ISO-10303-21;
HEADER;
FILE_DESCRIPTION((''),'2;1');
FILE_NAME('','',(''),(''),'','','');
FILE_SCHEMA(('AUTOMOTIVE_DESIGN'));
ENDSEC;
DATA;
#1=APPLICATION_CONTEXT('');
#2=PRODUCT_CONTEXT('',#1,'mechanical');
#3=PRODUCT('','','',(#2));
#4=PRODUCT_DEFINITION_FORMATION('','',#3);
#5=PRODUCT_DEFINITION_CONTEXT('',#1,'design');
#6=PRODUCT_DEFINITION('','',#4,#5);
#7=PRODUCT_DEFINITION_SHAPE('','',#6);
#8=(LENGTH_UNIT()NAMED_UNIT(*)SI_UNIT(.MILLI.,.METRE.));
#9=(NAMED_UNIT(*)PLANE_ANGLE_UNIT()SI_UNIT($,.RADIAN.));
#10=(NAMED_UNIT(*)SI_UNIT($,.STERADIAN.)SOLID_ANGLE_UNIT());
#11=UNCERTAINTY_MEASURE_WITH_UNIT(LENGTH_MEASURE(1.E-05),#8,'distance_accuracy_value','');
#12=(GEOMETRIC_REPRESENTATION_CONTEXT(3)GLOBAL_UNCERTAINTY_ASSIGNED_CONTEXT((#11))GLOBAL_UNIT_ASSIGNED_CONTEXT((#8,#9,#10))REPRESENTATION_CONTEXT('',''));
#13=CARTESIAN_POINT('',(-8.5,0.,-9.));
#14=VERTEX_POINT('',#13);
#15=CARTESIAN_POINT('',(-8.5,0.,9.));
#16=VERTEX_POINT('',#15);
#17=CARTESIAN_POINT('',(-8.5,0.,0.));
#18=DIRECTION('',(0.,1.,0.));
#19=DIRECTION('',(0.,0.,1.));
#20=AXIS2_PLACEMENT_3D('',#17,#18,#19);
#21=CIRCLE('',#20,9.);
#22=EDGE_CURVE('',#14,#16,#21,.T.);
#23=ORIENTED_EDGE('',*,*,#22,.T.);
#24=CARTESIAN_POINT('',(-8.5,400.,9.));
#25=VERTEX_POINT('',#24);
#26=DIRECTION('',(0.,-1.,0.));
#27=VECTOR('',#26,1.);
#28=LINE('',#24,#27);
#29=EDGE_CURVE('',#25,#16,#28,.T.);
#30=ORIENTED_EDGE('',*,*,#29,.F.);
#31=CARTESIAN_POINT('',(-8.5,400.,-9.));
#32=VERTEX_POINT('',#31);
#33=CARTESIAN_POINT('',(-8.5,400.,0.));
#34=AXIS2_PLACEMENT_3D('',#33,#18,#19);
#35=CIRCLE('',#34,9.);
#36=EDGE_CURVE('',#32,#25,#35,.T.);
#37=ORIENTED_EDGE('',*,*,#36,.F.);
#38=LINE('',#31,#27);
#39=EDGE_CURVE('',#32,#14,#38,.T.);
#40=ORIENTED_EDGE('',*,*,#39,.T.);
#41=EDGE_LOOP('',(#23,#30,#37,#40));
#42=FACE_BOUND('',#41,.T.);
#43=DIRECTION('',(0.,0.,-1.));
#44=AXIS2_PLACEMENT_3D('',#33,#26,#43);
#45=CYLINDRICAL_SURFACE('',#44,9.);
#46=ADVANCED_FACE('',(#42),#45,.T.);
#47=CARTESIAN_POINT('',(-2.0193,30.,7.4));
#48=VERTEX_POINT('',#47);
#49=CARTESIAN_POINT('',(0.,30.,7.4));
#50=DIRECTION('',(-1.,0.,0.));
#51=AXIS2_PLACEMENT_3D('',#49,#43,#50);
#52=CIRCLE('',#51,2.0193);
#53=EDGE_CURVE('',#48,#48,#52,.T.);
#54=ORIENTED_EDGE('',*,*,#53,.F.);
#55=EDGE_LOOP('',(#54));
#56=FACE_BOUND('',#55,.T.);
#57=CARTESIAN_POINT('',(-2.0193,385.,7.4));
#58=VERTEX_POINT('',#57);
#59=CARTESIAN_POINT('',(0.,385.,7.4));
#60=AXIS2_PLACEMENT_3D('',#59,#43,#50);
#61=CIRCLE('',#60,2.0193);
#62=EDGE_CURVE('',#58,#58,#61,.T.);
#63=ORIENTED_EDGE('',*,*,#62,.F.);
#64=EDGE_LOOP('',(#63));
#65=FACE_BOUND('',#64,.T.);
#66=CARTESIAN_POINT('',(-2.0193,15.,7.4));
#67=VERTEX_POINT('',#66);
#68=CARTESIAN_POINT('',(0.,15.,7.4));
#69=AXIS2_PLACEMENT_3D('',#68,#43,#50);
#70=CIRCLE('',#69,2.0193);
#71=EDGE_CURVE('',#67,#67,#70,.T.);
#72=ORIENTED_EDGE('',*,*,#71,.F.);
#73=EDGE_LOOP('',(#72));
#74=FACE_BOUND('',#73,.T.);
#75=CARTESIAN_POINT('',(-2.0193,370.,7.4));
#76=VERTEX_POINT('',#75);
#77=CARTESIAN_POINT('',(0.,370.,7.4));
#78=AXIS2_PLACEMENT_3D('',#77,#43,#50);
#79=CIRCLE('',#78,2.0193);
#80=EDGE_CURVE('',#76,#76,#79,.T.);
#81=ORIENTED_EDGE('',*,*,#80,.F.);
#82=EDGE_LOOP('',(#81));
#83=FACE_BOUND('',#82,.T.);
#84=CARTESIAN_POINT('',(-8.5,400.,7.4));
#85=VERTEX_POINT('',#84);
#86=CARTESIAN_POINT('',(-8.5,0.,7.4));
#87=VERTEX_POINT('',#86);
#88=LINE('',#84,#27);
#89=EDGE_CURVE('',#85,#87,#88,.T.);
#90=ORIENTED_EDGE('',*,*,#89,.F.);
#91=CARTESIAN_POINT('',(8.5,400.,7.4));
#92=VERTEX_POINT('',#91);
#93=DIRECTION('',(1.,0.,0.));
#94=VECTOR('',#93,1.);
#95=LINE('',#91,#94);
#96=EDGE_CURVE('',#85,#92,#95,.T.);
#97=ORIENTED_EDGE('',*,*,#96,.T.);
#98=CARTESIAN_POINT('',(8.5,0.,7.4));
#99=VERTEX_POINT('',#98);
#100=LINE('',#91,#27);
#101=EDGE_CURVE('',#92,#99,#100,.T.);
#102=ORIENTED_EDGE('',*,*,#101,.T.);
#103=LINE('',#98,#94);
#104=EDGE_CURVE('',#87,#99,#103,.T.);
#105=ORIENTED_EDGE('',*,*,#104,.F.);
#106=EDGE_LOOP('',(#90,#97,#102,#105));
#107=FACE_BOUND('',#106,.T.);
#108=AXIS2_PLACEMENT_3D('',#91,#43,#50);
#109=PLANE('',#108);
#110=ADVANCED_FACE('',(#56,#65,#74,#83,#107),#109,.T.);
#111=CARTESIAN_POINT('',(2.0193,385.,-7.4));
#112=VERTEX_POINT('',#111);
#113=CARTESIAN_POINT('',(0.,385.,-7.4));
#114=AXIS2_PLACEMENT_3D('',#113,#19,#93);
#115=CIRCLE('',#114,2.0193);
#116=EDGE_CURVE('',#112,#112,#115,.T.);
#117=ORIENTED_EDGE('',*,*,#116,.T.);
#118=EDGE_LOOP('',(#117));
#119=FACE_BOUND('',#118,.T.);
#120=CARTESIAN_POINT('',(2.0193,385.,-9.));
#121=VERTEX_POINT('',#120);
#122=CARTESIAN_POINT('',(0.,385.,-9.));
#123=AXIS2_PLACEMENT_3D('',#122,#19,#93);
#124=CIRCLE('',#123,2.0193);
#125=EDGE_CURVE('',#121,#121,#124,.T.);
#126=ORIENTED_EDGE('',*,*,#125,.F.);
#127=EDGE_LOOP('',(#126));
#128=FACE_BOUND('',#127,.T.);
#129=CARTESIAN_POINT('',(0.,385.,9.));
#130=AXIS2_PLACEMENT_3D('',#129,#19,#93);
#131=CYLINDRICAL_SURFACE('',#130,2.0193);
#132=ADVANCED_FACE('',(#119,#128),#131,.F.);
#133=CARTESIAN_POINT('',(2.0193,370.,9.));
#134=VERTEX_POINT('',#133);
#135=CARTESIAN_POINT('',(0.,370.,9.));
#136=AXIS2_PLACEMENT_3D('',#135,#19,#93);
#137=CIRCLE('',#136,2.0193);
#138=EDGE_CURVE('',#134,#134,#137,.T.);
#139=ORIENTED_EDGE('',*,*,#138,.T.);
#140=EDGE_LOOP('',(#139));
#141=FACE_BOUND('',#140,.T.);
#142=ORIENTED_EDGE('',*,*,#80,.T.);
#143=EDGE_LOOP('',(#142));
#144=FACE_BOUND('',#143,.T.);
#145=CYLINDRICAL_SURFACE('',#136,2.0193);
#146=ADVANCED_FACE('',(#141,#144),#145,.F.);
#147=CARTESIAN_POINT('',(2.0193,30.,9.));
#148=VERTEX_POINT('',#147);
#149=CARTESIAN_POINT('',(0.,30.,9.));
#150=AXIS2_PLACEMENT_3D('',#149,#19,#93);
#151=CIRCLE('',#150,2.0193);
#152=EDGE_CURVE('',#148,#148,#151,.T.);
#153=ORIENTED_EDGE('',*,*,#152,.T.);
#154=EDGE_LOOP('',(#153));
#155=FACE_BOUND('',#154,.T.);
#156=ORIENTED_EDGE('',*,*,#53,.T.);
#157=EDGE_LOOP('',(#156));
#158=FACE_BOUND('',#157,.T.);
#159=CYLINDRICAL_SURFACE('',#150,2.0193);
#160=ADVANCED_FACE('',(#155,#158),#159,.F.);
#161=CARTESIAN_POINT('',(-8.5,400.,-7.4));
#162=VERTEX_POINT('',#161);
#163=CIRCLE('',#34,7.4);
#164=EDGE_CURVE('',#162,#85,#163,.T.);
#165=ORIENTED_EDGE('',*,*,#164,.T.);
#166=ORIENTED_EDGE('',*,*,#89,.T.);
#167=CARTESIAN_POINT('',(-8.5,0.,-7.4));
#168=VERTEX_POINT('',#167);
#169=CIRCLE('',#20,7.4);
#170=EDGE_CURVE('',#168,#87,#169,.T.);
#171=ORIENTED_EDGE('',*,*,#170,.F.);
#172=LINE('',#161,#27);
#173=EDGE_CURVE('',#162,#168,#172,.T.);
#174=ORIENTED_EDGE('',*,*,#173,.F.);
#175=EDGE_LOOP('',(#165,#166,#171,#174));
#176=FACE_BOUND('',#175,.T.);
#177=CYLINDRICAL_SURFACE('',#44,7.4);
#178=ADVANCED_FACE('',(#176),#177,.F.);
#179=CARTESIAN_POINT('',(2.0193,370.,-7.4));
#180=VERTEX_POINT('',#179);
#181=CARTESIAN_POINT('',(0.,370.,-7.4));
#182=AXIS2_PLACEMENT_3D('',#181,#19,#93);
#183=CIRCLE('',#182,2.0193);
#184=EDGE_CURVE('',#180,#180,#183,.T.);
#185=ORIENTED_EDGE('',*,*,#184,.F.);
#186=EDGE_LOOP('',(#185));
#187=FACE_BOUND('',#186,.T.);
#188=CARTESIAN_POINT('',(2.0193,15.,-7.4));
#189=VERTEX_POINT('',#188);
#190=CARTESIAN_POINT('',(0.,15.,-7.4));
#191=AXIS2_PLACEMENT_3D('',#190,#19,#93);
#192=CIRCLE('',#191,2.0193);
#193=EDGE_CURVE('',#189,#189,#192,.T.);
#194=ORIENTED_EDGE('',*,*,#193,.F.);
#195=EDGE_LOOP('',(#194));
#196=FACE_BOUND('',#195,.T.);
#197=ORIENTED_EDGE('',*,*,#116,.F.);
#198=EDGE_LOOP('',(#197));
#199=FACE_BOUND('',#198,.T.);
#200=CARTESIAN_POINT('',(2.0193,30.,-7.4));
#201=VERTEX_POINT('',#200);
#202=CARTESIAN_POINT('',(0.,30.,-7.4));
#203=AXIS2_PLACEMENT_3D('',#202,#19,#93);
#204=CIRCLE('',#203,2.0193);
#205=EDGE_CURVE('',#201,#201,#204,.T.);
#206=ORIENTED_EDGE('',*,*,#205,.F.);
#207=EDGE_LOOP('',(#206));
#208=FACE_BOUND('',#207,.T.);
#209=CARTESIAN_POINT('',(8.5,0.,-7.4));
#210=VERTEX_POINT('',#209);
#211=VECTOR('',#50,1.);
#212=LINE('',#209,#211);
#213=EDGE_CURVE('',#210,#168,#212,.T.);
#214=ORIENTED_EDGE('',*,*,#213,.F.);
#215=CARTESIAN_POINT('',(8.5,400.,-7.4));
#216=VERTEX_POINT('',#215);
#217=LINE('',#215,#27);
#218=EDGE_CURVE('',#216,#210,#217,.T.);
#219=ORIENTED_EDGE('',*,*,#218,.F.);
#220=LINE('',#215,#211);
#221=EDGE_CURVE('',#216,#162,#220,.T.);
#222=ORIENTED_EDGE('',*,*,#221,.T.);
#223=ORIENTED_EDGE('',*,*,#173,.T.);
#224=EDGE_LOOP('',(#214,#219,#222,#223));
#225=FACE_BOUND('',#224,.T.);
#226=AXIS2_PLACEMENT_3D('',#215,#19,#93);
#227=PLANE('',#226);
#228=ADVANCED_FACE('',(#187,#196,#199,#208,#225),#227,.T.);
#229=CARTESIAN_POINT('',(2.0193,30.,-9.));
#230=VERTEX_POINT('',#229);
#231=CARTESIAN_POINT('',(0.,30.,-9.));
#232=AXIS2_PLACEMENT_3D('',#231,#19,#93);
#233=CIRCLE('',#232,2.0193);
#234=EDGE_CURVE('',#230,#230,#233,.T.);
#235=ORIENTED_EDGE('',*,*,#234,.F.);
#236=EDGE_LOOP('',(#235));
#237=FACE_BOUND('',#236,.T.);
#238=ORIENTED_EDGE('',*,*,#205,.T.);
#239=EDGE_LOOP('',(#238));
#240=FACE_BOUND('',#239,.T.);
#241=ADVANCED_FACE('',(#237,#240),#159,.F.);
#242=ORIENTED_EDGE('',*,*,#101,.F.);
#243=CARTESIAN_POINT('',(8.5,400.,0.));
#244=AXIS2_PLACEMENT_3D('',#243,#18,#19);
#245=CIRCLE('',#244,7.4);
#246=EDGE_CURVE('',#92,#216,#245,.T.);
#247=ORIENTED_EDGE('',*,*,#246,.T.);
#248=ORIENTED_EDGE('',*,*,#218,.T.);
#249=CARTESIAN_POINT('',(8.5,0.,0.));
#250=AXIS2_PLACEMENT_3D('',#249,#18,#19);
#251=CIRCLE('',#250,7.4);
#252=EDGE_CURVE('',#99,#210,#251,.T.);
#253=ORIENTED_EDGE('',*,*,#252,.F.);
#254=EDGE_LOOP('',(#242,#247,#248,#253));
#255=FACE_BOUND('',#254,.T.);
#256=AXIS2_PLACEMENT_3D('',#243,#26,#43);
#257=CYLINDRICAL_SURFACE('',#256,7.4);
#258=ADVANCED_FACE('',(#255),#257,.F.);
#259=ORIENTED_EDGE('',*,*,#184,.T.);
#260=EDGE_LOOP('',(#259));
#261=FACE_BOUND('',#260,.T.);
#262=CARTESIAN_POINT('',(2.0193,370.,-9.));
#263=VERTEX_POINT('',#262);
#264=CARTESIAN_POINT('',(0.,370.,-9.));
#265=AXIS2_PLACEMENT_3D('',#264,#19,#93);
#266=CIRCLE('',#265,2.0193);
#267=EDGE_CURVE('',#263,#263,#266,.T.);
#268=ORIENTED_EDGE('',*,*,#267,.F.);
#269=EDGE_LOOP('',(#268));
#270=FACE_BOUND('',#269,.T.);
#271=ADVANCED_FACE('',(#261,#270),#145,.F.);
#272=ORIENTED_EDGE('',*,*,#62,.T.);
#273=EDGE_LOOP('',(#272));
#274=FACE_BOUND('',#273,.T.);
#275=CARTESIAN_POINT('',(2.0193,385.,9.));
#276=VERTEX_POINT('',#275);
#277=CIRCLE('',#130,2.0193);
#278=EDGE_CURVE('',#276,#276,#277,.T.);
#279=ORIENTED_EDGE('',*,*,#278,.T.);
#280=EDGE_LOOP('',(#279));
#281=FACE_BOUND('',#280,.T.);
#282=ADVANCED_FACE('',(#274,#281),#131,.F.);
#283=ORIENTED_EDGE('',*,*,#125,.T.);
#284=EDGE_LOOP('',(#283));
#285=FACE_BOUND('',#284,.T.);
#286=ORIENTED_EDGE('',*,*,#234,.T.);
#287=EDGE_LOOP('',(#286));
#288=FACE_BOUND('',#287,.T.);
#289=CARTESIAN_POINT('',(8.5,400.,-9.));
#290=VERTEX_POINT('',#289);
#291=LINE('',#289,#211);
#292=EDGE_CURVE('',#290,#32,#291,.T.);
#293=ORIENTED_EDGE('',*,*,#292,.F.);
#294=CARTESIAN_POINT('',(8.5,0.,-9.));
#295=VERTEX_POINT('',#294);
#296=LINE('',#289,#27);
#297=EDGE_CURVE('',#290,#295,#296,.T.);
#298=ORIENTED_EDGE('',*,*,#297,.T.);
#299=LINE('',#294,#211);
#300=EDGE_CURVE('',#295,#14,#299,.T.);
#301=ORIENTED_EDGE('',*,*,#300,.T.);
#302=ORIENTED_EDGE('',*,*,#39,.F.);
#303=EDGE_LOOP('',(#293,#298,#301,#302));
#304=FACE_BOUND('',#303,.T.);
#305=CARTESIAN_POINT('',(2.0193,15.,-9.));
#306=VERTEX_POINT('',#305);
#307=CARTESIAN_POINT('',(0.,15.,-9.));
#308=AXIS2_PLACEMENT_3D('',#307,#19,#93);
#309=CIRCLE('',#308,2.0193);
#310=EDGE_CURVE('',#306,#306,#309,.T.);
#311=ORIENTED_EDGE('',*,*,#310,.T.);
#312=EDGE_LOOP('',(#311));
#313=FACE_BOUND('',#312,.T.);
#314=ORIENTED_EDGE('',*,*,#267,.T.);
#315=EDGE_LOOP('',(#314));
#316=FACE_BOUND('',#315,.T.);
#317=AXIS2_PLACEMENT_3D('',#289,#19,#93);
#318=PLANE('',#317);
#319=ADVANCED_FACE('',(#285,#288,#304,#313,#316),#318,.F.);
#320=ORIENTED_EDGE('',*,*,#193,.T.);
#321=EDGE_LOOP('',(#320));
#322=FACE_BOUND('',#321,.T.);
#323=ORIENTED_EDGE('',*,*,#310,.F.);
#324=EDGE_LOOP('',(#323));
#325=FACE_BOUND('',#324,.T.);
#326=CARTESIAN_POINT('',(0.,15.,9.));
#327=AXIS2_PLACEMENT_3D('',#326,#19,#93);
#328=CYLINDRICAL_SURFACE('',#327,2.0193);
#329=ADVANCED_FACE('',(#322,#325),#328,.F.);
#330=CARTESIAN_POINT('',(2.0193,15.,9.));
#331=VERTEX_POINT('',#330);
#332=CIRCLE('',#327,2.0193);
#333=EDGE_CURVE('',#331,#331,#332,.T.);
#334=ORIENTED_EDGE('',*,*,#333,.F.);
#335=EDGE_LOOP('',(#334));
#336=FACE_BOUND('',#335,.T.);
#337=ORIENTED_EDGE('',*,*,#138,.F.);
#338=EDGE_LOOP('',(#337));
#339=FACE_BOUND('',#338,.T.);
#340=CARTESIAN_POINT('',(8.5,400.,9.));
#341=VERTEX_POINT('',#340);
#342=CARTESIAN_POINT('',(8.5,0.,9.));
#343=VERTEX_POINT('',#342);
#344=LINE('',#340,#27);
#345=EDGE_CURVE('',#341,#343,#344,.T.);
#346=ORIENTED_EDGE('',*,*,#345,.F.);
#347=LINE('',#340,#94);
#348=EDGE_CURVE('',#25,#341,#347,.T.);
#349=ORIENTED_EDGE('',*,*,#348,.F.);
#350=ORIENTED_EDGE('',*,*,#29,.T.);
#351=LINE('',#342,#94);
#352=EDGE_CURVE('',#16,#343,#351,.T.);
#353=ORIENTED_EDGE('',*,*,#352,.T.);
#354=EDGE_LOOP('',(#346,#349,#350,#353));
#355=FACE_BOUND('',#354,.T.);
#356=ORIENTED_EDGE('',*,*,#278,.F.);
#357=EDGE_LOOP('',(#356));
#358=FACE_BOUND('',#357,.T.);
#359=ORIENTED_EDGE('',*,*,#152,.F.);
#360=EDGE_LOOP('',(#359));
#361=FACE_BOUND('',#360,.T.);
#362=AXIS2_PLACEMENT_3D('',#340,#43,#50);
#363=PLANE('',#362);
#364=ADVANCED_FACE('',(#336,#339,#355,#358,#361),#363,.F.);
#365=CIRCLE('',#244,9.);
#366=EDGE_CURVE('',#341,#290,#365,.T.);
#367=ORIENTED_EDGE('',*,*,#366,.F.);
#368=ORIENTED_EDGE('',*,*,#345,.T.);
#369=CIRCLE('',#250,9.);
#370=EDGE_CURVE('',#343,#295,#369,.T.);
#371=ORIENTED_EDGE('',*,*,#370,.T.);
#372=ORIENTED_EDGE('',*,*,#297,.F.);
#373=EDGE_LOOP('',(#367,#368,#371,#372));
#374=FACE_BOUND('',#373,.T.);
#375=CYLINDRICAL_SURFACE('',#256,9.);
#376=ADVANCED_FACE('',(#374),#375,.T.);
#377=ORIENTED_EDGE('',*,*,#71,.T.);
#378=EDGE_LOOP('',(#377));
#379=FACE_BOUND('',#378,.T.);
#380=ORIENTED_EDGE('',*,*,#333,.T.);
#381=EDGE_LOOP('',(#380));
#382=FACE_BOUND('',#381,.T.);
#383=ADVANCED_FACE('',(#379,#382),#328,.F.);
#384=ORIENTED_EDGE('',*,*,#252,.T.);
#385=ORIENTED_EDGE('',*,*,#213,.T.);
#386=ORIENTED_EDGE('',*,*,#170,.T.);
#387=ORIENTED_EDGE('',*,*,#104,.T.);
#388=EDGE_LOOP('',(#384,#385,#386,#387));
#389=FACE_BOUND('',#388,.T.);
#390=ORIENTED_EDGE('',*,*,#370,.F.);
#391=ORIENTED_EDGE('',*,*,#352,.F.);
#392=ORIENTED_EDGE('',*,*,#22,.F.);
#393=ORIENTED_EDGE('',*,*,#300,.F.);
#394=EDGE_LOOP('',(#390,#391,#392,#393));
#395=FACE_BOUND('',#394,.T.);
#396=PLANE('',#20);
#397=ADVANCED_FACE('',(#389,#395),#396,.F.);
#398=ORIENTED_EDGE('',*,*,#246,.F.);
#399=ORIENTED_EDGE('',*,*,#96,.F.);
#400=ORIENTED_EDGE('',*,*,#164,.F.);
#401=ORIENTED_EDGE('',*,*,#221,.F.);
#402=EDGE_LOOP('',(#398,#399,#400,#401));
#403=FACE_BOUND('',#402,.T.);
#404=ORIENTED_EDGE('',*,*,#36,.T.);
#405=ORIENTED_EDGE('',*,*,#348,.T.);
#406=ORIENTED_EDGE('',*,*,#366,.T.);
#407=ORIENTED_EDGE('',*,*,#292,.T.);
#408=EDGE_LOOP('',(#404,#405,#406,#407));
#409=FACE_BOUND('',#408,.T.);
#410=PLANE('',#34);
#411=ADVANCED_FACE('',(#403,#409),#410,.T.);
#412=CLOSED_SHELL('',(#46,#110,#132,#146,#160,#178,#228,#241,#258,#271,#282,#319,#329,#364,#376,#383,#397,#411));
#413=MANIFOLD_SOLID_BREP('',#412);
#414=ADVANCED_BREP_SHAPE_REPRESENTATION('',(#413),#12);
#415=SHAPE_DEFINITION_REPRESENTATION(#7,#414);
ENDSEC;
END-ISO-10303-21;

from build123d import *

# Parameters (mm, degrees)
EXTRUDE_1_DEPTH       = 400
HOLE_WIZARD_10_32_1_D = 4.0386


with BuildPart() as part:
    # 草圖1 → 填料-伸長1 (new body)
    with BuildSketch(Plane(origin=(0, 0, 0), x_dir=(1, 0, 0), z_dir=(0, 1, 0))):
        with BuildLine():
            Line((8.5, 9), (-8.5, 9))
            ThreePointArc((-8.5, 9), (-17.5, 0), (-8.5, -9))
            Line((-8.5, -9), (8.5, -9))
            ThreePointArc((8.5, -9), (17.5, 0), (8.5, 9))
        make_face()
        with BuildLine():
            Line((8.5, -7.4), (-8.5, -7.4))
            ThreePointArc((-8.5, -7.4), (-15.9, 0), (-8.5, 7.4))
            Line((-8.5, 7.4), (8.5, 7.4))
            ThreePointArc((8.5, 7.4), (15.9, 0), (8.5, -7.4))
        make_face(mode=Mode.SUBTRACT)
    extrude(amount=EXTRUDE_1_DEPTH)

    # #10-32 螺紋孔1 (through all)
    with Locations(Plane.XY.offset(9)):
        with Locations((0, 30), (0, 15), (0, 385), (0, 370)):
            Hole(HOLE_WIZARD_10_32_1_D / 2)


solid = part.part
